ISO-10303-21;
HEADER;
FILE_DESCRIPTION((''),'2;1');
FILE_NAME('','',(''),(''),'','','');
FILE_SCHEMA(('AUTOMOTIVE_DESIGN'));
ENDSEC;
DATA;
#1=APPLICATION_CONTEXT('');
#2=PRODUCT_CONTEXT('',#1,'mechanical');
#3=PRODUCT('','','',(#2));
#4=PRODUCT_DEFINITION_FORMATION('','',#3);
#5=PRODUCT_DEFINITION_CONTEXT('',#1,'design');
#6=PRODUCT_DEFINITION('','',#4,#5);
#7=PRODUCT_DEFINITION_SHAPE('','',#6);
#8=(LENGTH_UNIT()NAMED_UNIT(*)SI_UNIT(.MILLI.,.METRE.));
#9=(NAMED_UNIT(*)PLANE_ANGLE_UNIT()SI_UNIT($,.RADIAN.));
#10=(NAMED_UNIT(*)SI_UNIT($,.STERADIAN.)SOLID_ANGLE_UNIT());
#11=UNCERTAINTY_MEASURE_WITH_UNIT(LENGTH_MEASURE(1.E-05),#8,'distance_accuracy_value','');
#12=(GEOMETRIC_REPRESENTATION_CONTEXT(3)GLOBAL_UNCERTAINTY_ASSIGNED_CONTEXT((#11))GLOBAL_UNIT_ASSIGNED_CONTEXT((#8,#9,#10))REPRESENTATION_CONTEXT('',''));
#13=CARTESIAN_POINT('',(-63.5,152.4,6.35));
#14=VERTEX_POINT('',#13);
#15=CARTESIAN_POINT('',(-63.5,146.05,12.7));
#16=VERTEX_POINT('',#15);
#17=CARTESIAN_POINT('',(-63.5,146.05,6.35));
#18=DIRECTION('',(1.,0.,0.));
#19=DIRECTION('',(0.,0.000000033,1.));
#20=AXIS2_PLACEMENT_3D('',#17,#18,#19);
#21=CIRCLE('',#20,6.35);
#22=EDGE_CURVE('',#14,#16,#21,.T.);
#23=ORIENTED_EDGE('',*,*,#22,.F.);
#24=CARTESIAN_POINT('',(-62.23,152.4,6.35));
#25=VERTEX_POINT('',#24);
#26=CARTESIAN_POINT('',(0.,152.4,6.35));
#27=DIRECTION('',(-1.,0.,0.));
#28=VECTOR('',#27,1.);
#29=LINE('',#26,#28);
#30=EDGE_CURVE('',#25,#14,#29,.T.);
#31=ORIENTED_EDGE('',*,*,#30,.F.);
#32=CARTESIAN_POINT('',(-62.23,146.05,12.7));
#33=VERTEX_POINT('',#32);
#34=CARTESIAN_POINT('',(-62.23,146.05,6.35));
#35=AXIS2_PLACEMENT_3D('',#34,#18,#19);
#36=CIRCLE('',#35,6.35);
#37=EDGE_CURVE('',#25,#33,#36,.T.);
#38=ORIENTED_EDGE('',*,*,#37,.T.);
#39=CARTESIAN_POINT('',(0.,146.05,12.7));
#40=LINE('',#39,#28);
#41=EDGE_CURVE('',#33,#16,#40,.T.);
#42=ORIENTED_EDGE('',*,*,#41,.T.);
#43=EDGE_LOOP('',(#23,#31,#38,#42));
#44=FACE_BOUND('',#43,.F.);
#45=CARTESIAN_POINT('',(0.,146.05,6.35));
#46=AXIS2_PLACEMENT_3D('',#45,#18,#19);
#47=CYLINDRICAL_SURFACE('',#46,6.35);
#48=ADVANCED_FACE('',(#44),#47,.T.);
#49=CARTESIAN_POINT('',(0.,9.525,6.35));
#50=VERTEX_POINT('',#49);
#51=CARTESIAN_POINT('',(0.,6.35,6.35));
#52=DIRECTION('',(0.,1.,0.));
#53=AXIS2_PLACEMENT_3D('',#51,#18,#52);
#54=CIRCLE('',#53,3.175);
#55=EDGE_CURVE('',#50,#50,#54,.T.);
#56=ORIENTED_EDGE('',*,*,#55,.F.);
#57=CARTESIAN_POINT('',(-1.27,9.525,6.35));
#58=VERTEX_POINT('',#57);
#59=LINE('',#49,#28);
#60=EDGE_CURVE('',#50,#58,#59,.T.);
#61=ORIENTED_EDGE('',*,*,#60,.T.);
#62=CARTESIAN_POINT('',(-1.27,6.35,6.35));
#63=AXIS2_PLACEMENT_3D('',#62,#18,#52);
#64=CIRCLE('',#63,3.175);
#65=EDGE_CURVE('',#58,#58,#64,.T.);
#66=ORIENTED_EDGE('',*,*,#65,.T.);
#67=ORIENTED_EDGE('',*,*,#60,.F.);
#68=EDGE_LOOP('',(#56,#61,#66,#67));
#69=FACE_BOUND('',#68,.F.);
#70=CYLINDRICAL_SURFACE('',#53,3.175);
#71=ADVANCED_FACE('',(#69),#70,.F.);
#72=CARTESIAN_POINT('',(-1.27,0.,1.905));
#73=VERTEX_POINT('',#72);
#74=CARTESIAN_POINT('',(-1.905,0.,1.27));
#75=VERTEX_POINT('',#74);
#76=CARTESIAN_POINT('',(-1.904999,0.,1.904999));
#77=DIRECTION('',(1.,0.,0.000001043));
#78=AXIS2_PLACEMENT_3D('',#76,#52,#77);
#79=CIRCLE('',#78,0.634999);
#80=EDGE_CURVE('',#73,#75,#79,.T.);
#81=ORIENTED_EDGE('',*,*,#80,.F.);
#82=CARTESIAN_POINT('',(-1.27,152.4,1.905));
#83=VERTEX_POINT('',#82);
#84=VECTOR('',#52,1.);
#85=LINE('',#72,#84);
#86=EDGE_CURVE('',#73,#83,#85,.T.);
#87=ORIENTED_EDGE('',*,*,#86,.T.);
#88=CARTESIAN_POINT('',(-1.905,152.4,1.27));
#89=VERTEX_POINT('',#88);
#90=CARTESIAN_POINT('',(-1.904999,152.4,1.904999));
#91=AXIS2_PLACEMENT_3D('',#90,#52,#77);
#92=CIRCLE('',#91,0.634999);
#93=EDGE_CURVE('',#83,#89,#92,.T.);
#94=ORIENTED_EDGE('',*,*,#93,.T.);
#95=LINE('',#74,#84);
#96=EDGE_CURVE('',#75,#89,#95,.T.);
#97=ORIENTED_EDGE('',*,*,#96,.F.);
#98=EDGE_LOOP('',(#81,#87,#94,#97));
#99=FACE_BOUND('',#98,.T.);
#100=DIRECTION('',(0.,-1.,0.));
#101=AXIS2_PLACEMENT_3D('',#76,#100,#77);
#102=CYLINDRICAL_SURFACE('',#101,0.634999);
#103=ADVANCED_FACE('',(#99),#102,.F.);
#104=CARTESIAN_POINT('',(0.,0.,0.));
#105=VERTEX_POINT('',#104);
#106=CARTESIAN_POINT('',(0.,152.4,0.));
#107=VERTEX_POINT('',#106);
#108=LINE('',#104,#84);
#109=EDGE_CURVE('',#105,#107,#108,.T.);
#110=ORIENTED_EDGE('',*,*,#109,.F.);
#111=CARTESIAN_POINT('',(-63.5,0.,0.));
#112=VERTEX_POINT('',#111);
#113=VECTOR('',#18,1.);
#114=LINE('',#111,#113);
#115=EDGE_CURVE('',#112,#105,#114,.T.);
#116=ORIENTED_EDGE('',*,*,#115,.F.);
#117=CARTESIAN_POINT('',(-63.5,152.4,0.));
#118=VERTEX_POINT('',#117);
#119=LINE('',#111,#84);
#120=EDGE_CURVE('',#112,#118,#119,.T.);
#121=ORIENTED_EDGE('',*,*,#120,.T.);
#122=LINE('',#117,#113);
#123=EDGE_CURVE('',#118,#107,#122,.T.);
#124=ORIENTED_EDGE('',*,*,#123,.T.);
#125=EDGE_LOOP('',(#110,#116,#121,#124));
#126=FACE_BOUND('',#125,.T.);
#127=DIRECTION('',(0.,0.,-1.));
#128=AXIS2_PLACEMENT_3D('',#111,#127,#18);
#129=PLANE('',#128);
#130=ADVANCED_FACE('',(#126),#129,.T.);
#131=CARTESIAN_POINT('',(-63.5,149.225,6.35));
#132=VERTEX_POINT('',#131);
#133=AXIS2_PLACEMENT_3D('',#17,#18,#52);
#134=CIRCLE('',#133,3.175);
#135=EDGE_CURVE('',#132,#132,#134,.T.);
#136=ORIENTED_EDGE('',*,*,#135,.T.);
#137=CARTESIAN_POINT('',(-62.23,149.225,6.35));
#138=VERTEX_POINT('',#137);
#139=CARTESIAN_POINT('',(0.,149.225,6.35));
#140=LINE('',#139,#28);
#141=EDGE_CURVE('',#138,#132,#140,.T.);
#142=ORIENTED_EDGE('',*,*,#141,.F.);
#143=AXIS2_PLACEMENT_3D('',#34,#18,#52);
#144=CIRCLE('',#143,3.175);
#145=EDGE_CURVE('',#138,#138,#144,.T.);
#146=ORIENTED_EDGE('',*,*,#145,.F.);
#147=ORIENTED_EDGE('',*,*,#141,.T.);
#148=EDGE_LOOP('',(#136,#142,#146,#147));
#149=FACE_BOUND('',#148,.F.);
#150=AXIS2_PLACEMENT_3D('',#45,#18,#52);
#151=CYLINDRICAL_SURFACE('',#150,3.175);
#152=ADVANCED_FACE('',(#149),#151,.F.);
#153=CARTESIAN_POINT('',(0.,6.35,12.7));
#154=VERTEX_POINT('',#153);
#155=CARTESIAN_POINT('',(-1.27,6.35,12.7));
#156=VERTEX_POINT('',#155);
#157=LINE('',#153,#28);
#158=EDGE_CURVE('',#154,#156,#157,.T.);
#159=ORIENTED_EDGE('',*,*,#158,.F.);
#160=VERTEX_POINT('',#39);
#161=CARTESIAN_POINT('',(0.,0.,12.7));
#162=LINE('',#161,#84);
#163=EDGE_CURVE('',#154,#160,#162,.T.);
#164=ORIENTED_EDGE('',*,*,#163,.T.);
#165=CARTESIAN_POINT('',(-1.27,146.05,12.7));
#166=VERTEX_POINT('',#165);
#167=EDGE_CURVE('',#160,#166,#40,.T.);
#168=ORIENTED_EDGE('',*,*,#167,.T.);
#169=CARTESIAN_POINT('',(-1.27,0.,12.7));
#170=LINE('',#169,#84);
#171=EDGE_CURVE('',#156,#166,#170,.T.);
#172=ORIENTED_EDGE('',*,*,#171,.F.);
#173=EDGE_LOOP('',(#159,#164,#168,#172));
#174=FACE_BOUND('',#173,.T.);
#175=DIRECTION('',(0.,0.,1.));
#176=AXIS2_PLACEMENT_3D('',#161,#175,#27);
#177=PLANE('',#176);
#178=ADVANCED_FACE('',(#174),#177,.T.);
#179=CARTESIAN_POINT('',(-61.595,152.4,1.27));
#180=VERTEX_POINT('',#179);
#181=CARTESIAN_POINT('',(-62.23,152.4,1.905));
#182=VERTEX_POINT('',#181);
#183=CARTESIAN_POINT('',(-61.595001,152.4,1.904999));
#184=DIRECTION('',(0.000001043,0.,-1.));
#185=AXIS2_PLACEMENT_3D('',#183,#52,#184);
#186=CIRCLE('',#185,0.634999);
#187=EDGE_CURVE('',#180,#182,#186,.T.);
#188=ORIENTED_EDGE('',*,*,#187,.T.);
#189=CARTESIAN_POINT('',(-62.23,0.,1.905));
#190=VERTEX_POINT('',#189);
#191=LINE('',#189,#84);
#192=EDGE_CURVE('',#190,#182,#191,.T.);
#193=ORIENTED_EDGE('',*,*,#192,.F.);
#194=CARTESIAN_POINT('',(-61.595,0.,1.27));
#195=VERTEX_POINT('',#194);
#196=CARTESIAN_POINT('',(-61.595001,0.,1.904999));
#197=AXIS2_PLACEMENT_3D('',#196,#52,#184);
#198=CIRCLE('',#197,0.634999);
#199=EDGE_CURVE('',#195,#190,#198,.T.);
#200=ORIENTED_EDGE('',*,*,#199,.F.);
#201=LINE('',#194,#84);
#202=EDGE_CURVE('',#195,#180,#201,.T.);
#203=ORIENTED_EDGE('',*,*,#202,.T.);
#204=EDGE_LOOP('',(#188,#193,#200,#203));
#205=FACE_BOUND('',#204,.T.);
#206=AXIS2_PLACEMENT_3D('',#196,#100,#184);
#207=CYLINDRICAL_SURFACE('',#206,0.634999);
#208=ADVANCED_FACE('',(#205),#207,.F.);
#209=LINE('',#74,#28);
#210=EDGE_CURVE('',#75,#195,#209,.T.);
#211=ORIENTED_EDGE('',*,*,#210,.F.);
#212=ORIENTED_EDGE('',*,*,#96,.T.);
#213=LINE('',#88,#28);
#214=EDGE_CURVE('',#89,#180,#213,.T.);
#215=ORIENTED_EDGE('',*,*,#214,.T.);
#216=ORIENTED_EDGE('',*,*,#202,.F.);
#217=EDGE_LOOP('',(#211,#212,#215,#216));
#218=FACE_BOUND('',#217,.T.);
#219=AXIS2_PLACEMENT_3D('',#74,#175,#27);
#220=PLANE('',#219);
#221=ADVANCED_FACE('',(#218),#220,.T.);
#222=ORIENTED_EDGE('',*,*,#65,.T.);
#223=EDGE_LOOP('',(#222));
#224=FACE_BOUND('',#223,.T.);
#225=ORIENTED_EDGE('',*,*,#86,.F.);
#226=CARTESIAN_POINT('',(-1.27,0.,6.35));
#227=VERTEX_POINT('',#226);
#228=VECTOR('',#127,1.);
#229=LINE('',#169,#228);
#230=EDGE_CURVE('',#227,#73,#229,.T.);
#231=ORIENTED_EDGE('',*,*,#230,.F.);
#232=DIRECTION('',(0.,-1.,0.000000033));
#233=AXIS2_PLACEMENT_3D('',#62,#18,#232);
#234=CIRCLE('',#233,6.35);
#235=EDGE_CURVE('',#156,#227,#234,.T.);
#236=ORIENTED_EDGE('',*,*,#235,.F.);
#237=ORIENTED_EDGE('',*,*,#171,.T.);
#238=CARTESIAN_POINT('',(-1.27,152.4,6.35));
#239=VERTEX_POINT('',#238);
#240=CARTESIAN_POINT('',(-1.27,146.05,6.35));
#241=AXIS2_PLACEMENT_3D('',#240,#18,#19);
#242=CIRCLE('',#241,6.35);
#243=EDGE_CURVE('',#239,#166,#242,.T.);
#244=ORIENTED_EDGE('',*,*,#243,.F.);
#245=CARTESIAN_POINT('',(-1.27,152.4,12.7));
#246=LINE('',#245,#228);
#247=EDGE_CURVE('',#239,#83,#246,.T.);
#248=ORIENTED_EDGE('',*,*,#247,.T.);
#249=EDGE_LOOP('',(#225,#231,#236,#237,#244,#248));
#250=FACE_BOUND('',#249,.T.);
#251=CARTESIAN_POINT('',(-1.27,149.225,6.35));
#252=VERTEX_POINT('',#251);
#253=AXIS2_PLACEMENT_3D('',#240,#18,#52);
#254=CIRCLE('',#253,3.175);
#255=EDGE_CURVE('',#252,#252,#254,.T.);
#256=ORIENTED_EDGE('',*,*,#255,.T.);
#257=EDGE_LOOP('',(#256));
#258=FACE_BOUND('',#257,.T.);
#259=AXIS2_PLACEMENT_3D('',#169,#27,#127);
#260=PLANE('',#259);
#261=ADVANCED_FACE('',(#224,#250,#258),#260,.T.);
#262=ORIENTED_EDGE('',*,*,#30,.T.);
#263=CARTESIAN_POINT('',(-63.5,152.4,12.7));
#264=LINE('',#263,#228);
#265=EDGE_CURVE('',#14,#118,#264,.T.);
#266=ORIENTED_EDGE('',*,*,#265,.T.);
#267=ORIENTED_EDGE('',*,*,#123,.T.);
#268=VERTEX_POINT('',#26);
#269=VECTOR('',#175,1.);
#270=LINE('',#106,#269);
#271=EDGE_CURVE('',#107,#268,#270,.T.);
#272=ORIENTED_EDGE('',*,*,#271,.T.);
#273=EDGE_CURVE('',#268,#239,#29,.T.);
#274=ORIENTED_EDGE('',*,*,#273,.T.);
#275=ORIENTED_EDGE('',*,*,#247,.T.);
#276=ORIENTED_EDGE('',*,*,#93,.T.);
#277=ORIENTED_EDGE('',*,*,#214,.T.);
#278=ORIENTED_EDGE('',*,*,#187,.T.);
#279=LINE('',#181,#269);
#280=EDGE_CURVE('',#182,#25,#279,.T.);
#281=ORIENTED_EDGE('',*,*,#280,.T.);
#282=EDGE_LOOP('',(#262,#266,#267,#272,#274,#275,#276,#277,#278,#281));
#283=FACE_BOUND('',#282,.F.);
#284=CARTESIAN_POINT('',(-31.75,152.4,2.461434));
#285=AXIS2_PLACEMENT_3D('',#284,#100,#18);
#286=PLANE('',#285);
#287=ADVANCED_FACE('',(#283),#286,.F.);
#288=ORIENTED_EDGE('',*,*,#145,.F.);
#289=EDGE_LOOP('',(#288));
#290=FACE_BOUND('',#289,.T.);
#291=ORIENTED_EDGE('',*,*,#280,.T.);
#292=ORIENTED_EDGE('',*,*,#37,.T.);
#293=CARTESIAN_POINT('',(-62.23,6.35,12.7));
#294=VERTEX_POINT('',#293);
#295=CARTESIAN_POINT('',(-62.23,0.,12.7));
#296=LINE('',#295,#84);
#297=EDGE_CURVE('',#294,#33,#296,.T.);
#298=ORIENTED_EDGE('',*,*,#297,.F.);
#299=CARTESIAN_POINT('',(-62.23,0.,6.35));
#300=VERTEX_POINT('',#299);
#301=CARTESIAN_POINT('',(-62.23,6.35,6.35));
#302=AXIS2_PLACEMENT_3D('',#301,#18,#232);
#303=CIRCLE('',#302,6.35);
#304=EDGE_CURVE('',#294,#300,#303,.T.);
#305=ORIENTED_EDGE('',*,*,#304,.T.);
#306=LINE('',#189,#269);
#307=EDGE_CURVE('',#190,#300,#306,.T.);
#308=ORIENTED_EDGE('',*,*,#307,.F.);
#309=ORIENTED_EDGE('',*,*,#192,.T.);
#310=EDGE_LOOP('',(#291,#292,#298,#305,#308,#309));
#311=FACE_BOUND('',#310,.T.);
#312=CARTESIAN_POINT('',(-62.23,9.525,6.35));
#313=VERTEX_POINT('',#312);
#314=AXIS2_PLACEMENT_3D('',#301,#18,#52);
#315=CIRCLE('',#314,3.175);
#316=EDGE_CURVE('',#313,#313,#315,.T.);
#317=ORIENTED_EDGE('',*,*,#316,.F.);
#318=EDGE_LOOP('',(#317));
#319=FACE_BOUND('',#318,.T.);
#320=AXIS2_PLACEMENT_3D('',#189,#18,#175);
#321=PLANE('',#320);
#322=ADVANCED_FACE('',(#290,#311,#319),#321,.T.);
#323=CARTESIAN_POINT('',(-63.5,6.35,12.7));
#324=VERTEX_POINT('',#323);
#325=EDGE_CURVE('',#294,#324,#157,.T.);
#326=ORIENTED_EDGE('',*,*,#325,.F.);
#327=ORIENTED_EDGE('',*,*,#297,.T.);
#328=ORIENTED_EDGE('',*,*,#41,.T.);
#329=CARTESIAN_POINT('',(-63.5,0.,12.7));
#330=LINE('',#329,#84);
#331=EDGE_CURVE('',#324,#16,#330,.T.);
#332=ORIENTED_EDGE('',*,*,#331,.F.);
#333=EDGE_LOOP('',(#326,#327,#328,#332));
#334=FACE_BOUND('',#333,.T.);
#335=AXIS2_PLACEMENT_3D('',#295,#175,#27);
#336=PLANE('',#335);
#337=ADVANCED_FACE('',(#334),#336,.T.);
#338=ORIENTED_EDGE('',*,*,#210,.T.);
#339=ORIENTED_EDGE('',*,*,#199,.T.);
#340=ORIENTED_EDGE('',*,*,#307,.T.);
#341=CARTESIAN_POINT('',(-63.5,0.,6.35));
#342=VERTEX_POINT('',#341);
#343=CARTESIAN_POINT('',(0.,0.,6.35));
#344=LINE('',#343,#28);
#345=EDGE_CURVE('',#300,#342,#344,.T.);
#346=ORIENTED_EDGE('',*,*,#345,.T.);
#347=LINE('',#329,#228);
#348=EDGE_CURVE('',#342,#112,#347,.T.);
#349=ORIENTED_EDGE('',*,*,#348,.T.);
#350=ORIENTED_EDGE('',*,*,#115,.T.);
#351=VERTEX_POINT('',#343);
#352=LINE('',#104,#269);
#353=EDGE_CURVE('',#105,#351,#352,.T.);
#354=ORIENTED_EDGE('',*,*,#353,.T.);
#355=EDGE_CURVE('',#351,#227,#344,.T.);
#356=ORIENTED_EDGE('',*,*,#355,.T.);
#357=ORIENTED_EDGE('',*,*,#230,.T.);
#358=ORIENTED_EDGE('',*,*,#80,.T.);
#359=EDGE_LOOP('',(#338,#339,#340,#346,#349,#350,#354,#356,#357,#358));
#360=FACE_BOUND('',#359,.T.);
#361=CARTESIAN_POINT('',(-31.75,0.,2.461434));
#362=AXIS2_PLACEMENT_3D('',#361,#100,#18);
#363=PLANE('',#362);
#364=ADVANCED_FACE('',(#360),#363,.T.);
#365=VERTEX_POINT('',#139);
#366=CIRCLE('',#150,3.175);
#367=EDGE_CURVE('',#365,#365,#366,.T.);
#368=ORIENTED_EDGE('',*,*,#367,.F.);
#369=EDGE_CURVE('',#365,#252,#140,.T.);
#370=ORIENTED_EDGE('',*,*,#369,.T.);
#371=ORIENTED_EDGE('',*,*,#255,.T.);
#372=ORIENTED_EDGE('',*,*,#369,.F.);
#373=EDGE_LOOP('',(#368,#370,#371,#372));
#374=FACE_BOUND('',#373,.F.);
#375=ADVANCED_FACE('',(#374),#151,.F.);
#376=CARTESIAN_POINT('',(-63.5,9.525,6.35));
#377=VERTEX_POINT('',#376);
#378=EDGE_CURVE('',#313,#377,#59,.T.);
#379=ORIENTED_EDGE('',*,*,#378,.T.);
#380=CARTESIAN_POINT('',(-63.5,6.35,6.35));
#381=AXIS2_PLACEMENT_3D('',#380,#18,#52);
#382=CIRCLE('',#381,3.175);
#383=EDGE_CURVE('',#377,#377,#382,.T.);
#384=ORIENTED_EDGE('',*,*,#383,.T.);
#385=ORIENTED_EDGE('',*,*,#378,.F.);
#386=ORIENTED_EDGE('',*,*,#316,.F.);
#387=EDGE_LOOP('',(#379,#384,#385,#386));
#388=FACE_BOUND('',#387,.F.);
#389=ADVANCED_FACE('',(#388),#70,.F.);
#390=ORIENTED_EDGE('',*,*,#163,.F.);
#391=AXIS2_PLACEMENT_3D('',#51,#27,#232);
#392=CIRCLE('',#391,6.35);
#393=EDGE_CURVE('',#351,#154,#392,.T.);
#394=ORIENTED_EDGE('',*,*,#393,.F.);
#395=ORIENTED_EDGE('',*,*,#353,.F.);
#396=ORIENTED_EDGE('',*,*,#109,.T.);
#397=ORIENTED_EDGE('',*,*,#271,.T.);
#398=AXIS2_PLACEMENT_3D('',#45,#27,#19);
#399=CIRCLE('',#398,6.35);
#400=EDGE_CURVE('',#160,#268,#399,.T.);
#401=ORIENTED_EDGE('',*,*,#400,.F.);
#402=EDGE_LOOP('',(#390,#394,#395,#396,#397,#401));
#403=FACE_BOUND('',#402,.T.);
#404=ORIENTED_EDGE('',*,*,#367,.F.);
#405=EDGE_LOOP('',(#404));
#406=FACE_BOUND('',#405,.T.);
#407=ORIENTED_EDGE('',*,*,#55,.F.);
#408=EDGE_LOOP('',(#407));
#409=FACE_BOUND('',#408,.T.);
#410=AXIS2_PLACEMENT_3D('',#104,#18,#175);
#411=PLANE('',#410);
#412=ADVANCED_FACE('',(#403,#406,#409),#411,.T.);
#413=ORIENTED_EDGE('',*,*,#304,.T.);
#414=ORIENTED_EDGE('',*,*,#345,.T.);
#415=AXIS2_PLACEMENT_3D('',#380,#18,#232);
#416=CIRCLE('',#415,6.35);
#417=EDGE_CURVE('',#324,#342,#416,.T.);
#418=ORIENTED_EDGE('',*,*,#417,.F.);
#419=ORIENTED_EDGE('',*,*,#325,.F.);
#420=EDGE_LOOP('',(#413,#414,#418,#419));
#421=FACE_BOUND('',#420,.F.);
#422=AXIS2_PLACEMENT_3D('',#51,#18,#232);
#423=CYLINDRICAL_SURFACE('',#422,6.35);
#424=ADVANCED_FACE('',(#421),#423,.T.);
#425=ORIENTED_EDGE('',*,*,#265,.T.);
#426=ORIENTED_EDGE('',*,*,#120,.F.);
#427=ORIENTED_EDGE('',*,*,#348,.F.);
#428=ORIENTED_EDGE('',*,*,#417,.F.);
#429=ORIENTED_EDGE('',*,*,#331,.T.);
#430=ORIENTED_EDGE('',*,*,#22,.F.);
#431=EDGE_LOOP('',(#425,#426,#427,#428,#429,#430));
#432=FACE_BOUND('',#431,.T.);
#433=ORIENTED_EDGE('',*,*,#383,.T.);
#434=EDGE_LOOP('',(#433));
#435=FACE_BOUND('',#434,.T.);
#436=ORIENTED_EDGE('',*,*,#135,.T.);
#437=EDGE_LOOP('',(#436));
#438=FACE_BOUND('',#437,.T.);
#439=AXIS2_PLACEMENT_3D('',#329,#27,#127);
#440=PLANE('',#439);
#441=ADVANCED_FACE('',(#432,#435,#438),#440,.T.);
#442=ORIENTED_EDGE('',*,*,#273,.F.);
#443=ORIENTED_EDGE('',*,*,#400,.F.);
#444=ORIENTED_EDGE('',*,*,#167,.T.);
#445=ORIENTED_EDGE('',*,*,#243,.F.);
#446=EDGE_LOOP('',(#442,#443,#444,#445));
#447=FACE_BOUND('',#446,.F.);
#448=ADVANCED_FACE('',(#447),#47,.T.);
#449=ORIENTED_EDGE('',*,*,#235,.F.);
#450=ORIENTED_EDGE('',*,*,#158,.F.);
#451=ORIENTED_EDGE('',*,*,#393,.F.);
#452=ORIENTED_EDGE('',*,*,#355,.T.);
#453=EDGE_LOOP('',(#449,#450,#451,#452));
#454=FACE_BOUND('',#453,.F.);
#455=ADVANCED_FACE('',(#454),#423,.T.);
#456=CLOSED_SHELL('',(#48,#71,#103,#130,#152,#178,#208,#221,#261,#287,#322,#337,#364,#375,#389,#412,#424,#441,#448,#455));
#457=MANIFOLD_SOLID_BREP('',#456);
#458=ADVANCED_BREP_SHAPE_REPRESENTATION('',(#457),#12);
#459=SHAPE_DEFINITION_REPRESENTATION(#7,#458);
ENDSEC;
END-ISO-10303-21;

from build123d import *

# Parameters (mm, degrees)
F1_DEPTH = 152.4
F2_R     = 3.175
F3_DEPTH = 63.501


with BuildPart() as f1:
    # F0 (on Front) → F1 (new body)
    with BuildSketch(Plane.XZ):
        with BuildLine():
            Line((-63.5, 0), (0, 0))
            Line((0, 0), (0, 12.7))
            Line((0, 12.7), (-1.27, 12.7))
            Line((-1.27, 12.7), (-1.27, 1.905))
            ThreePointArc((-1.27, 1.905), (-1.455987, 1.455987), (-1.905, 1.27))
            Line((-1.905, 1.27), (-61.595, 1.27))
            ThreePointArc((-61.595, 1.27), (-62.044013, 1.455987), (-62.23, 1.905))
            Line((-62.23, 1.905), (-62.23, 12.7))
            Line((-62.23, 12.7), (-63.5, 12.7))
            Line((-63.5, 12.7), (-63.5, 0))
        make_face()
    extrude(amount=-F1_DEPTH)

    # F2 (on face) → F3 (cut, through all)
    with BuildSketch(Plane.YZ):
        with Locations((6.35, 6.35)):
            Circle(F2_R)
        with BuildLine():
            ThreePointArc((0, 6.35), (1.859872, 10.840128), (6.35, 12.7))
            Line((6.35, 12.7), (0, 12.7))
            Line((0, 12.7), (0, 6.35))
        make_face()
        with BuildLine():
            Line((152.4, 12.7), (146.05, 12.7))
            ThreePointArc((146.05, 12.7), (150.540128, 10.840128), (152.4, 6.35))
            Line((152.4, 6.35), (152.4, 12.7))
        make_face()
        with Locations((146.05, 6.35)):
            Circle(F2_R)
    extrude(amount=-F3_DEPTH, mode=Mode.SUBTRACT)


solid = f1.part
